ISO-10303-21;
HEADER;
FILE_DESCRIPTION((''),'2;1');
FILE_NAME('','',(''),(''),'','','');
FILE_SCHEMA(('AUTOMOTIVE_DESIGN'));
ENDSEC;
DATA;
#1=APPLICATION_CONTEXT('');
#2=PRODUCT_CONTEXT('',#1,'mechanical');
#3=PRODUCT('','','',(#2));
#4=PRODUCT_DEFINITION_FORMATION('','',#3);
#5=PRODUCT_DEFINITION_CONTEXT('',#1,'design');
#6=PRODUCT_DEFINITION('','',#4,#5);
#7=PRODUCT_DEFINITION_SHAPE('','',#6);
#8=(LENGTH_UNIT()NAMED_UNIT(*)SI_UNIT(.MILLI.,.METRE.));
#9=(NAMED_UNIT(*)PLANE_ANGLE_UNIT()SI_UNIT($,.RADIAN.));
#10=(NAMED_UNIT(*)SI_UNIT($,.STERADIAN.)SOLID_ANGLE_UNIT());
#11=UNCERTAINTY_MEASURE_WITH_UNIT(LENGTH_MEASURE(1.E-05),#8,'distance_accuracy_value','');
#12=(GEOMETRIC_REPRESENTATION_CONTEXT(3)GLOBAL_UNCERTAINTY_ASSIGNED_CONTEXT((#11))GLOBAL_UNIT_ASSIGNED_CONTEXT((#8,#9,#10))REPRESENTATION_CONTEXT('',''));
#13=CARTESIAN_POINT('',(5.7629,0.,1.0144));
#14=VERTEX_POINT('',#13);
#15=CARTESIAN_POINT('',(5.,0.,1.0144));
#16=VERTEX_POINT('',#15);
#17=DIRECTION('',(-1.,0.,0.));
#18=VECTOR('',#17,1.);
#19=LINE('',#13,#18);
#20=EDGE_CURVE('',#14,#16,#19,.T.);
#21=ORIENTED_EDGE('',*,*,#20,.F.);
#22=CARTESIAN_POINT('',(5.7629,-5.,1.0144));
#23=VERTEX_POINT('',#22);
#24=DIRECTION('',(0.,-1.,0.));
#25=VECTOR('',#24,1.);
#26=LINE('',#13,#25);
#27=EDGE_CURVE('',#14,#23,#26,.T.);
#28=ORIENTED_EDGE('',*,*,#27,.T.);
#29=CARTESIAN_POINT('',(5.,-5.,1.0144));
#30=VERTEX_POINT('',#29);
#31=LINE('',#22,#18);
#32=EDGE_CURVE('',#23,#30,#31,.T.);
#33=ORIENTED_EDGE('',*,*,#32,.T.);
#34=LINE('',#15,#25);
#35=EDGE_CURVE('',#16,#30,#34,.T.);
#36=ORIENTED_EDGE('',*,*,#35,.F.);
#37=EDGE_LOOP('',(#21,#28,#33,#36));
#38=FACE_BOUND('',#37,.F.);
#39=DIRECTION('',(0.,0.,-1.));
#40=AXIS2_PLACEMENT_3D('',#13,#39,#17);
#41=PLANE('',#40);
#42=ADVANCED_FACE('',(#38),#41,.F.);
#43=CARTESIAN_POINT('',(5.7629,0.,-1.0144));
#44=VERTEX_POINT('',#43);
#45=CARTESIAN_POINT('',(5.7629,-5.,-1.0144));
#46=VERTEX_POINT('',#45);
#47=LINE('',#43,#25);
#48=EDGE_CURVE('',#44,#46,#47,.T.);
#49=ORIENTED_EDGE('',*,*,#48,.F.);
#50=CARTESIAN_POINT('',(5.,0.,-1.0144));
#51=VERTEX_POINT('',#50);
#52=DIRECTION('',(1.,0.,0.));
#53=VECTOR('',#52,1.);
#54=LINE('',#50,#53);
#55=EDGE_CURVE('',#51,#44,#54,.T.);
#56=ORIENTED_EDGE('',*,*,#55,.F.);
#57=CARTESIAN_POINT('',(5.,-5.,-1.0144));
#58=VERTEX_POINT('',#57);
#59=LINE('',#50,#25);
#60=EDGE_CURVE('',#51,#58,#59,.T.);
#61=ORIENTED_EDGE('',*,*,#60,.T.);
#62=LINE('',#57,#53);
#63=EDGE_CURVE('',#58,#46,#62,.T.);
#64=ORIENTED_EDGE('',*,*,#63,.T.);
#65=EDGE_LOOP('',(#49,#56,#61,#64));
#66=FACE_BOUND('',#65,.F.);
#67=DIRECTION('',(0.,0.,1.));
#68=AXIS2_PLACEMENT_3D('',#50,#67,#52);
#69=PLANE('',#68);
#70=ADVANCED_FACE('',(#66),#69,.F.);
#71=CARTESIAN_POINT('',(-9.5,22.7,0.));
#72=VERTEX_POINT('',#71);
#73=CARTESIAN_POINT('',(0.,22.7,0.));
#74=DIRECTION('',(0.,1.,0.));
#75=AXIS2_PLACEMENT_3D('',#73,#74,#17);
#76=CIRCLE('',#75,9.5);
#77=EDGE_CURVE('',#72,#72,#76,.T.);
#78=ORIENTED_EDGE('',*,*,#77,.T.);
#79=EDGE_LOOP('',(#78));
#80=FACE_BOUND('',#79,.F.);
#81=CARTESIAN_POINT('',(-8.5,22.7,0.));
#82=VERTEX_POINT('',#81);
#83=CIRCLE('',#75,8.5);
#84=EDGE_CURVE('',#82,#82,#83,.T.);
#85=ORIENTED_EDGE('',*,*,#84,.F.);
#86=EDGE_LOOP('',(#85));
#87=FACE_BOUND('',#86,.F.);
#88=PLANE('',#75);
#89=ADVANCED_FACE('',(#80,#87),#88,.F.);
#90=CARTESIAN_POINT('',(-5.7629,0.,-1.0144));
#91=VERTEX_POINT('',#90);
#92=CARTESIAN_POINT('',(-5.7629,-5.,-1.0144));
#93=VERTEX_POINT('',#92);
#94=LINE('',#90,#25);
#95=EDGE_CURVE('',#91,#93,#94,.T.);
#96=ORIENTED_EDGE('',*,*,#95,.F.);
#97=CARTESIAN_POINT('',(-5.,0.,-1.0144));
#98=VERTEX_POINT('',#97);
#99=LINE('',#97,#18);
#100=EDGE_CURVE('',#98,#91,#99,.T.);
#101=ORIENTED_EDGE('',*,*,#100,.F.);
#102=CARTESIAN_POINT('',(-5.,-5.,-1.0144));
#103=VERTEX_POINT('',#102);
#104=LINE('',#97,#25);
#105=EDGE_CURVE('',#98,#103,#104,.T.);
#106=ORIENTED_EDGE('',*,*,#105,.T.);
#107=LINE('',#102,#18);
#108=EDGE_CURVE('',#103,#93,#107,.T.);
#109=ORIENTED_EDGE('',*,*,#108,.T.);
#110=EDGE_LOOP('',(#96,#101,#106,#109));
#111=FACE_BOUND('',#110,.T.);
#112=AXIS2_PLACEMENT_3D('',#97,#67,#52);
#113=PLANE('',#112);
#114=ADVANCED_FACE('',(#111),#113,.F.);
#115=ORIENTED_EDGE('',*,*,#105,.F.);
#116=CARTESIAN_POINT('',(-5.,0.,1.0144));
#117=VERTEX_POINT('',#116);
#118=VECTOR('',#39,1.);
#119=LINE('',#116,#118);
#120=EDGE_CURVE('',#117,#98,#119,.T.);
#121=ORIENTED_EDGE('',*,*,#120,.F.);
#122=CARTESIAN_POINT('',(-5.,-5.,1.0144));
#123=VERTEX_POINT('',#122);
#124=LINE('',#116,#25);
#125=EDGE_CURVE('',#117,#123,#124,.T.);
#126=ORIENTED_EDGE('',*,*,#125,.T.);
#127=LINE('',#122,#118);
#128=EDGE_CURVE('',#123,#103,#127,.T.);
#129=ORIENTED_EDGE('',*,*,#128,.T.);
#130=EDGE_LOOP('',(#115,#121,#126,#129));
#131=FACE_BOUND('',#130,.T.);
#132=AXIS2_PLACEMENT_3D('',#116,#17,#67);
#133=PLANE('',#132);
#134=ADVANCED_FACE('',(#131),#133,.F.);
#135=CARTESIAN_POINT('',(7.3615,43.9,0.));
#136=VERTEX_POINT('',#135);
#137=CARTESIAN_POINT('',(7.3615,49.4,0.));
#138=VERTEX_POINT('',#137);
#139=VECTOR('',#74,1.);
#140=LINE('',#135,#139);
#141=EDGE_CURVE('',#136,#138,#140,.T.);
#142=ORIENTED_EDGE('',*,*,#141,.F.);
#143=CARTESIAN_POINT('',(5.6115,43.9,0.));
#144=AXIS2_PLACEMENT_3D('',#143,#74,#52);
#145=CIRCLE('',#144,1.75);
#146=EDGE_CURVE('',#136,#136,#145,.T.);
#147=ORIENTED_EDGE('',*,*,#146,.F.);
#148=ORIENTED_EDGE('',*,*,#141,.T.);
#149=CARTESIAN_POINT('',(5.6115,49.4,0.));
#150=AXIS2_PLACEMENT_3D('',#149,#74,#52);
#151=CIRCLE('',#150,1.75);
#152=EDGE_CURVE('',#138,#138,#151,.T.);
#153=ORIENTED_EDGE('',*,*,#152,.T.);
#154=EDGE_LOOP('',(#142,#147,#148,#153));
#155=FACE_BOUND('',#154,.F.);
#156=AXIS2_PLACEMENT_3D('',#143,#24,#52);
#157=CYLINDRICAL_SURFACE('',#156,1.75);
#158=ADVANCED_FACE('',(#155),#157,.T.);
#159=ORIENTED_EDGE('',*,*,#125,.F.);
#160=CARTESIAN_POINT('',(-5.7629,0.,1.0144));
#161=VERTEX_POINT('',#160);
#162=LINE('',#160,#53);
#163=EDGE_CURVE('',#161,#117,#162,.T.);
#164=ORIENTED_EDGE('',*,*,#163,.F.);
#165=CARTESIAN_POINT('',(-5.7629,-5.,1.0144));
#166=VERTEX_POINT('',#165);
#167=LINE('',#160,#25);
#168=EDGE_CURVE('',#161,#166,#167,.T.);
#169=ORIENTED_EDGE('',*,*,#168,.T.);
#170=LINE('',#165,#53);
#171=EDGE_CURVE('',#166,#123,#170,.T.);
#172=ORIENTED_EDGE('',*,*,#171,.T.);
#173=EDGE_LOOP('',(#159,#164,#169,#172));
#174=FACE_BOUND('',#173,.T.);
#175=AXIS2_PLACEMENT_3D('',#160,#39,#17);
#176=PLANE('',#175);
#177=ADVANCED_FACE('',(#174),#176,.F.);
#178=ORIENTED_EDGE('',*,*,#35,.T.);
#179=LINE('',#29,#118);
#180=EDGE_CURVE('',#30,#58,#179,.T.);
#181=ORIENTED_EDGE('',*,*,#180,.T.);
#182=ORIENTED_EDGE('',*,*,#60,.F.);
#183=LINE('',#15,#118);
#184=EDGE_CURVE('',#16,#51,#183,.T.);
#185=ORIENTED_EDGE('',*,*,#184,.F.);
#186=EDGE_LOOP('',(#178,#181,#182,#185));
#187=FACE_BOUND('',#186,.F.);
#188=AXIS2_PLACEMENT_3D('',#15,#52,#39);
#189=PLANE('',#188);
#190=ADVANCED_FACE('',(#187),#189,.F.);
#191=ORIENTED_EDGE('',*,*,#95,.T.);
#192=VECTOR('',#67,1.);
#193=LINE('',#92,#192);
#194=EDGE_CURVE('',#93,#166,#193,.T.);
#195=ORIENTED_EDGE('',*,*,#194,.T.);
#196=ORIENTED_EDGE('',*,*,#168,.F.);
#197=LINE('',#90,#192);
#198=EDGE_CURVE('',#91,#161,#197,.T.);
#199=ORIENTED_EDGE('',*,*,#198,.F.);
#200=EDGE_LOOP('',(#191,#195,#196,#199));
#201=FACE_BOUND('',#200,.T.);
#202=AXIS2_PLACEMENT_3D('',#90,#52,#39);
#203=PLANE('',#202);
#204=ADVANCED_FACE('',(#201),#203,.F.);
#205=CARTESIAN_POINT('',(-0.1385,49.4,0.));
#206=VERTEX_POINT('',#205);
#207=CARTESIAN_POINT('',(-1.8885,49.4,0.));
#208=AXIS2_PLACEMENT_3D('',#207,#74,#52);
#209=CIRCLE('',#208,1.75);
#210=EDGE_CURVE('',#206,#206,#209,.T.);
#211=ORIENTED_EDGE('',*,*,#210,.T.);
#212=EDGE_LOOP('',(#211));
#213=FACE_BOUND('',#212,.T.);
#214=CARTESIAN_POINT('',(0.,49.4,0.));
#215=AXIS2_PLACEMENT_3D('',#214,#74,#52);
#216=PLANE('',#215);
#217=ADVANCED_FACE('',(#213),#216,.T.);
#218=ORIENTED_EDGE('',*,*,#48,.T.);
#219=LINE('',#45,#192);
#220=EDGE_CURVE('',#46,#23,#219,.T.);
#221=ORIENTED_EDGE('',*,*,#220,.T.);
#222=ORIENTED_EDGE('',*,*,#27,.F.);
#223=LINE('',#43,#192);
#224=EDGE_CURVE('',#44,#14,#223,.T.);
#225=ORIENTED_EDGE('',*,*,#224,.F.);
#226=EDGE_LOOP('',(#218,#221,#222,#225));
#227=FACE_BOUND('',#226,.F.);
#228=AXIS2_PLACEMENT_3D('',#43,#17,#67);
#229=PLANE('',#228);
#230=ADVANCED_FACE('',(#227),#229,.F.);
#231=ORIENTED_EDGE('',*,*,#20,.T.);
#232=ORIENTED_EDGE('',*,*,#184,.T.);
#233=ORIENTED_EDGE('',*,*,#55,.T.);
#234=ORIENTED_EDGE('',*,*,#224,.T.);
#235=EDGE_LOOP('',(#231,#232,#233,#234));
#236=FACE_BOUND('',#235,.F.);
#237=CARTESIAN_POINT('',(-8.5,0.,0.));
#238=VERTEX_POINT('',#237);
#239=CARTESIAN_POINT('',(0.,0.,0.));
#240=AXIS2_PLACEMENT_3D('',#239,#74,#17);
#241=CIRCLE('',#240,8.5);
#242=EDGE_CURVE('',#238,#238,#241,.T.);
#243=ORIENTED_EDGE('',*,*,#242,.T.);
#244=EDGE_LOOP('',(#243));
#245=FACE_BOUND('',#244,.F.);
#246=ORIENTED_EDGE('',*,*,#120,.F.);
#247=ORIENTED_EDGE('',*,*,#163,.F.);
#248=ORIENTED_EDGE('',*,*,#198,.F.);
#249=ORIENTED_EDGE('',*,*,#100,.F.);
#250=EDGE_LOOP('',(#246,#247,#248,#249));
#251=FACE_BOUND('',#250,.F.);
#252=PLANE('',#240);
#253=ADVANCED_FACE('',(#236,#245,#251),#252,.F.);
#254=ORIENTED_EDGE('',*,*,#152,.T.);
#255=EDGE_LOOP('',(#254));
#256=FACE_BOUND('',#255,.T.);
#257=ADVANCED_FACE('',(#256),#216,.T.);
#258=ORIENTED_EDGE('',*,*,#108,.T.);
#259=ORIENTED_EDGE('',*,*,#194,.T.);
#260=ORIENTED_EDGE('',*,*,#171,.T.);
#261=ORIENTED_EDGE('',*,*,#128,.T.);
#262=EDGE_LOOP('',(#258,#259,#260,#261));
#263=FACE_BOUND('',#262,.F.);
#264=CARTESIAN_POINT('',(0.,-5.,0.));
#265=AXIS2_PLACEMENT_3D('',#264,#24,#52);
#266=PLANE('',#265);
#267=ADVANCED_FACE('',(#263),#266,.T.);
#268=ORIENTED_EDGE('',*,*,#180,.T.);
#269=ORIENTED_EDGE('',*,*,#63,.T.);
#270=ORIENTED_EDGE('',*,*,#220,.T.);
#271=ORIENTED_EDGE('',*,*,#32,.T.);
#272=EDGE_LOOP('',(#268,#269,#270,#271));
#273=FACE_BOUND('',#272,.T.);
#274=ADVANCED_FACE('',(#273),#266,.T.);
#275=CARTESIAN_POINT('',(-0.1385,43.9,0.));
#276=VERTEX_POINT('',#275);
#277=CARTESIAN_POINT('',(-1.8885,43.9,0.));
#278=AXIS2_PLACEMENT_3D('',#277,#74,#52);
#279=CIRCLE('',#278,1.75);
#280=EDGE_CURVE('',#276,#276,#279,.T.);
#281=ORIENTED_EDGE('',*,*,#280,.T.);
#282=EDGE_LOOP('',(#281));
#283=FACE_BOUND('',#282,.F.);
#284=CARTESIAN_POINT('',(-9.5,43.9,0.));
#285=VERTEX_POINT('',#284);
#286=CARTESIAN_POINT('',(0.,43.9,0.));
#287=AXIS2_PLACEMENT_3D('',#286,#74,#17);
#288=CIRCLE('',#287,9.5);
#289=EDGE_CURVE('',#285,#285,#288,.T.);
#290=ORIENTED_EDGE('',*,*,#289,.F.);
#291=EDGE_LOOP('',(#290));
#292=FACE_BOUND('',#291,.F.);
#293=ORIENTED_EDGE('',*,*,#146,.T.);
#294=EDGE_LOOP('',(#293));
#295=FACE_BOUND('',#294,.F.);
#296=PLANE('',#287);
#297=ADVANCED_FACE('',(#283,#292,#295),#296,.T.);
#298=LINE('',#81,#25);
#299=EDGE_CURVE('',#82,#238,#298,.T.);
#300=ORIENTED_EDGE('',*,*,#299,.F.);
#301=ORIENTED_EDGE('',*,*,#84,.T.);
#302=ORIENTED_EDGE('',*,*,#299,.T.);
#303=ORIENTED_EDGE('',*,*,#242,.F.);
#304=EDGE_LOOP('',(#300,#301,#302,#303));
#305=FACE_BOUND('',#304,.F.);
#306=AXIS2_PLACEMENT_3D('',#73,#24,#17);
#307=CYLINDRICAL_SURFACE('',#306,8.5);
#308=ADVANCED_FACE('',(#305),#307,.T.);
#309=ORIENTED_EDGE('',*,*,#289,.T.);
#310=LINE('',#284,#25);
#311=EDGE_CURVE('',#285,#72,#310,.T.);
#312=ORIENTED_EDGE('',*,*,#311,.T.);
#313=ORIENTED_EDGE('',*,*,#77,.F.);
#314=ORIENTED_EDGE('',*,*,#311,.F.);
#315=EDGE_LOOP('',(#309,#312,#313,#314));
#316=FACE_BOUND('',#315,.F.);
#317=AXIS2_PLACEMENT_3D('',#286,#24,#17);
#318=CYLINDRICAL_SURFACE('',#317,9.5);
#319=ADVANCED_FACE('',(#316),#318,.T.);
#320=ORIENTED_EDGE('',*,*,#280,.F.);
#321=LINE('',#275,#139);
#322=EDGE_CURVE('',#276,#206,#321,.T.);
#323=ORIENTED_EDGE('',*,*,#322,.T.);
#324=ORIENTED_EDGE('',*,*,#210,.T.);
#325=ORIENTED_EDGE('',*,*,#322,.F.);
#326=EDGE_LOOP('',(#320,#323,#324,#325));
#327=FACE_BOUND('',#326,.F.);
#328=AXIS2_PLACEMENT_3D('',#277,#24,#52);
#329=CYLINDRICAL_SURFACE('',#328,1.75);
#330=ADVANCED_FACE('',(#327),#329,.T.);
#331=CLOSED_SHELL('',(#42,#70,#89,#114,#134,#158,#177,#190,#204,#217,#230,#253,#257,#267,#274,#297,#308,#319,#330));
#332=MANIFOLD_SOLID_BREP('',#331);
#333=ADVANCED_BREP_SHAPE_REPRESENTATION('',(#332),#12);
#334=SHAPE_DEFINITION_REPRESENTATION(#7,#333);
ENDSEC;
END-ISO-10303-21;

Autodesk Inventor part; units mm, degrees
ref_plane "YZ Plane" through (0, 0, 0) normal (1, 0, 0) x (0, 1, 0)
ref_plane "XZ Plane" through (0, 0, 0) normal (0, 1, 0) x (-1, 0, 0)
ref_plane "XY Plane" through (0, 0, 0) normal (0, 0, 1) x (1, 0, 0)
sketch "Skizze1" plane through (0, 0, 0) normal (0, 0, 1) x (1, 0, 0)
  line L0 (0, 0) -> (0, 47.086)
  line L1 (0, 43.9) -> (-9.5, 43.9)
  line L2 (-9.5, 43.9) -> (-9.5, 22.7)
  line L3 (-9.5, 22.7) -> (-8.5, 22.7)
  line L4 (-8.5, 22.7) -> (-8.5, 0)
  line L5 (-8.5, 0) -> (0, 0)
  dimension "d0" = 19
  dimension "d1" = 17
  dimension "d2" = 43.9
  dimension "d3" = 21.2
revolve "Umdrehung1" add sketch "Skizze1" angle 360 about axis through (0, 0, 0) along (0, 1, 0)
sketch "Skizze2" plane through (0, 0, 0) normal (0, -1, 0) x (1, 0, 0)
  line L0 (5.7629, 1.0144) -> (5, 1.0144)
  line L1 (5, 1.0144) -> (5, -1.0144)
  line L2 (5, -1.0144) -> (5.7629, -1.0144)
  line L3 (5.7629, -1.0144) -> (5.7629, 1.0144)
  point P0 (0, 0)
  point P1 (5.7629, 0)
  dimension "d5" = 5
extrude "Extrusion1" add sketch "Skizze2" along normal blind 5
mirror "Spiegeln1" about plane through (0, 0, 0) normal (1, 0, 0) of "Extrusion1"
sketch "Skizze3" plane through (0, 43.9, 0) normal (0, 1, 0) x (1, 0, 0)
  circle A0 centre (-1.8885, 0) radius 1.75
  circle A1 centre (5.6115, 0) radius 1.75
  point P0 (0, 0)
  dimension "d8" = 7.5
  dimension "d9" = 3.5
extrude "Extrusion2" add sketch "Skizze3" along normal blind 5.5
properties part number "Pumpe_Dummy"
